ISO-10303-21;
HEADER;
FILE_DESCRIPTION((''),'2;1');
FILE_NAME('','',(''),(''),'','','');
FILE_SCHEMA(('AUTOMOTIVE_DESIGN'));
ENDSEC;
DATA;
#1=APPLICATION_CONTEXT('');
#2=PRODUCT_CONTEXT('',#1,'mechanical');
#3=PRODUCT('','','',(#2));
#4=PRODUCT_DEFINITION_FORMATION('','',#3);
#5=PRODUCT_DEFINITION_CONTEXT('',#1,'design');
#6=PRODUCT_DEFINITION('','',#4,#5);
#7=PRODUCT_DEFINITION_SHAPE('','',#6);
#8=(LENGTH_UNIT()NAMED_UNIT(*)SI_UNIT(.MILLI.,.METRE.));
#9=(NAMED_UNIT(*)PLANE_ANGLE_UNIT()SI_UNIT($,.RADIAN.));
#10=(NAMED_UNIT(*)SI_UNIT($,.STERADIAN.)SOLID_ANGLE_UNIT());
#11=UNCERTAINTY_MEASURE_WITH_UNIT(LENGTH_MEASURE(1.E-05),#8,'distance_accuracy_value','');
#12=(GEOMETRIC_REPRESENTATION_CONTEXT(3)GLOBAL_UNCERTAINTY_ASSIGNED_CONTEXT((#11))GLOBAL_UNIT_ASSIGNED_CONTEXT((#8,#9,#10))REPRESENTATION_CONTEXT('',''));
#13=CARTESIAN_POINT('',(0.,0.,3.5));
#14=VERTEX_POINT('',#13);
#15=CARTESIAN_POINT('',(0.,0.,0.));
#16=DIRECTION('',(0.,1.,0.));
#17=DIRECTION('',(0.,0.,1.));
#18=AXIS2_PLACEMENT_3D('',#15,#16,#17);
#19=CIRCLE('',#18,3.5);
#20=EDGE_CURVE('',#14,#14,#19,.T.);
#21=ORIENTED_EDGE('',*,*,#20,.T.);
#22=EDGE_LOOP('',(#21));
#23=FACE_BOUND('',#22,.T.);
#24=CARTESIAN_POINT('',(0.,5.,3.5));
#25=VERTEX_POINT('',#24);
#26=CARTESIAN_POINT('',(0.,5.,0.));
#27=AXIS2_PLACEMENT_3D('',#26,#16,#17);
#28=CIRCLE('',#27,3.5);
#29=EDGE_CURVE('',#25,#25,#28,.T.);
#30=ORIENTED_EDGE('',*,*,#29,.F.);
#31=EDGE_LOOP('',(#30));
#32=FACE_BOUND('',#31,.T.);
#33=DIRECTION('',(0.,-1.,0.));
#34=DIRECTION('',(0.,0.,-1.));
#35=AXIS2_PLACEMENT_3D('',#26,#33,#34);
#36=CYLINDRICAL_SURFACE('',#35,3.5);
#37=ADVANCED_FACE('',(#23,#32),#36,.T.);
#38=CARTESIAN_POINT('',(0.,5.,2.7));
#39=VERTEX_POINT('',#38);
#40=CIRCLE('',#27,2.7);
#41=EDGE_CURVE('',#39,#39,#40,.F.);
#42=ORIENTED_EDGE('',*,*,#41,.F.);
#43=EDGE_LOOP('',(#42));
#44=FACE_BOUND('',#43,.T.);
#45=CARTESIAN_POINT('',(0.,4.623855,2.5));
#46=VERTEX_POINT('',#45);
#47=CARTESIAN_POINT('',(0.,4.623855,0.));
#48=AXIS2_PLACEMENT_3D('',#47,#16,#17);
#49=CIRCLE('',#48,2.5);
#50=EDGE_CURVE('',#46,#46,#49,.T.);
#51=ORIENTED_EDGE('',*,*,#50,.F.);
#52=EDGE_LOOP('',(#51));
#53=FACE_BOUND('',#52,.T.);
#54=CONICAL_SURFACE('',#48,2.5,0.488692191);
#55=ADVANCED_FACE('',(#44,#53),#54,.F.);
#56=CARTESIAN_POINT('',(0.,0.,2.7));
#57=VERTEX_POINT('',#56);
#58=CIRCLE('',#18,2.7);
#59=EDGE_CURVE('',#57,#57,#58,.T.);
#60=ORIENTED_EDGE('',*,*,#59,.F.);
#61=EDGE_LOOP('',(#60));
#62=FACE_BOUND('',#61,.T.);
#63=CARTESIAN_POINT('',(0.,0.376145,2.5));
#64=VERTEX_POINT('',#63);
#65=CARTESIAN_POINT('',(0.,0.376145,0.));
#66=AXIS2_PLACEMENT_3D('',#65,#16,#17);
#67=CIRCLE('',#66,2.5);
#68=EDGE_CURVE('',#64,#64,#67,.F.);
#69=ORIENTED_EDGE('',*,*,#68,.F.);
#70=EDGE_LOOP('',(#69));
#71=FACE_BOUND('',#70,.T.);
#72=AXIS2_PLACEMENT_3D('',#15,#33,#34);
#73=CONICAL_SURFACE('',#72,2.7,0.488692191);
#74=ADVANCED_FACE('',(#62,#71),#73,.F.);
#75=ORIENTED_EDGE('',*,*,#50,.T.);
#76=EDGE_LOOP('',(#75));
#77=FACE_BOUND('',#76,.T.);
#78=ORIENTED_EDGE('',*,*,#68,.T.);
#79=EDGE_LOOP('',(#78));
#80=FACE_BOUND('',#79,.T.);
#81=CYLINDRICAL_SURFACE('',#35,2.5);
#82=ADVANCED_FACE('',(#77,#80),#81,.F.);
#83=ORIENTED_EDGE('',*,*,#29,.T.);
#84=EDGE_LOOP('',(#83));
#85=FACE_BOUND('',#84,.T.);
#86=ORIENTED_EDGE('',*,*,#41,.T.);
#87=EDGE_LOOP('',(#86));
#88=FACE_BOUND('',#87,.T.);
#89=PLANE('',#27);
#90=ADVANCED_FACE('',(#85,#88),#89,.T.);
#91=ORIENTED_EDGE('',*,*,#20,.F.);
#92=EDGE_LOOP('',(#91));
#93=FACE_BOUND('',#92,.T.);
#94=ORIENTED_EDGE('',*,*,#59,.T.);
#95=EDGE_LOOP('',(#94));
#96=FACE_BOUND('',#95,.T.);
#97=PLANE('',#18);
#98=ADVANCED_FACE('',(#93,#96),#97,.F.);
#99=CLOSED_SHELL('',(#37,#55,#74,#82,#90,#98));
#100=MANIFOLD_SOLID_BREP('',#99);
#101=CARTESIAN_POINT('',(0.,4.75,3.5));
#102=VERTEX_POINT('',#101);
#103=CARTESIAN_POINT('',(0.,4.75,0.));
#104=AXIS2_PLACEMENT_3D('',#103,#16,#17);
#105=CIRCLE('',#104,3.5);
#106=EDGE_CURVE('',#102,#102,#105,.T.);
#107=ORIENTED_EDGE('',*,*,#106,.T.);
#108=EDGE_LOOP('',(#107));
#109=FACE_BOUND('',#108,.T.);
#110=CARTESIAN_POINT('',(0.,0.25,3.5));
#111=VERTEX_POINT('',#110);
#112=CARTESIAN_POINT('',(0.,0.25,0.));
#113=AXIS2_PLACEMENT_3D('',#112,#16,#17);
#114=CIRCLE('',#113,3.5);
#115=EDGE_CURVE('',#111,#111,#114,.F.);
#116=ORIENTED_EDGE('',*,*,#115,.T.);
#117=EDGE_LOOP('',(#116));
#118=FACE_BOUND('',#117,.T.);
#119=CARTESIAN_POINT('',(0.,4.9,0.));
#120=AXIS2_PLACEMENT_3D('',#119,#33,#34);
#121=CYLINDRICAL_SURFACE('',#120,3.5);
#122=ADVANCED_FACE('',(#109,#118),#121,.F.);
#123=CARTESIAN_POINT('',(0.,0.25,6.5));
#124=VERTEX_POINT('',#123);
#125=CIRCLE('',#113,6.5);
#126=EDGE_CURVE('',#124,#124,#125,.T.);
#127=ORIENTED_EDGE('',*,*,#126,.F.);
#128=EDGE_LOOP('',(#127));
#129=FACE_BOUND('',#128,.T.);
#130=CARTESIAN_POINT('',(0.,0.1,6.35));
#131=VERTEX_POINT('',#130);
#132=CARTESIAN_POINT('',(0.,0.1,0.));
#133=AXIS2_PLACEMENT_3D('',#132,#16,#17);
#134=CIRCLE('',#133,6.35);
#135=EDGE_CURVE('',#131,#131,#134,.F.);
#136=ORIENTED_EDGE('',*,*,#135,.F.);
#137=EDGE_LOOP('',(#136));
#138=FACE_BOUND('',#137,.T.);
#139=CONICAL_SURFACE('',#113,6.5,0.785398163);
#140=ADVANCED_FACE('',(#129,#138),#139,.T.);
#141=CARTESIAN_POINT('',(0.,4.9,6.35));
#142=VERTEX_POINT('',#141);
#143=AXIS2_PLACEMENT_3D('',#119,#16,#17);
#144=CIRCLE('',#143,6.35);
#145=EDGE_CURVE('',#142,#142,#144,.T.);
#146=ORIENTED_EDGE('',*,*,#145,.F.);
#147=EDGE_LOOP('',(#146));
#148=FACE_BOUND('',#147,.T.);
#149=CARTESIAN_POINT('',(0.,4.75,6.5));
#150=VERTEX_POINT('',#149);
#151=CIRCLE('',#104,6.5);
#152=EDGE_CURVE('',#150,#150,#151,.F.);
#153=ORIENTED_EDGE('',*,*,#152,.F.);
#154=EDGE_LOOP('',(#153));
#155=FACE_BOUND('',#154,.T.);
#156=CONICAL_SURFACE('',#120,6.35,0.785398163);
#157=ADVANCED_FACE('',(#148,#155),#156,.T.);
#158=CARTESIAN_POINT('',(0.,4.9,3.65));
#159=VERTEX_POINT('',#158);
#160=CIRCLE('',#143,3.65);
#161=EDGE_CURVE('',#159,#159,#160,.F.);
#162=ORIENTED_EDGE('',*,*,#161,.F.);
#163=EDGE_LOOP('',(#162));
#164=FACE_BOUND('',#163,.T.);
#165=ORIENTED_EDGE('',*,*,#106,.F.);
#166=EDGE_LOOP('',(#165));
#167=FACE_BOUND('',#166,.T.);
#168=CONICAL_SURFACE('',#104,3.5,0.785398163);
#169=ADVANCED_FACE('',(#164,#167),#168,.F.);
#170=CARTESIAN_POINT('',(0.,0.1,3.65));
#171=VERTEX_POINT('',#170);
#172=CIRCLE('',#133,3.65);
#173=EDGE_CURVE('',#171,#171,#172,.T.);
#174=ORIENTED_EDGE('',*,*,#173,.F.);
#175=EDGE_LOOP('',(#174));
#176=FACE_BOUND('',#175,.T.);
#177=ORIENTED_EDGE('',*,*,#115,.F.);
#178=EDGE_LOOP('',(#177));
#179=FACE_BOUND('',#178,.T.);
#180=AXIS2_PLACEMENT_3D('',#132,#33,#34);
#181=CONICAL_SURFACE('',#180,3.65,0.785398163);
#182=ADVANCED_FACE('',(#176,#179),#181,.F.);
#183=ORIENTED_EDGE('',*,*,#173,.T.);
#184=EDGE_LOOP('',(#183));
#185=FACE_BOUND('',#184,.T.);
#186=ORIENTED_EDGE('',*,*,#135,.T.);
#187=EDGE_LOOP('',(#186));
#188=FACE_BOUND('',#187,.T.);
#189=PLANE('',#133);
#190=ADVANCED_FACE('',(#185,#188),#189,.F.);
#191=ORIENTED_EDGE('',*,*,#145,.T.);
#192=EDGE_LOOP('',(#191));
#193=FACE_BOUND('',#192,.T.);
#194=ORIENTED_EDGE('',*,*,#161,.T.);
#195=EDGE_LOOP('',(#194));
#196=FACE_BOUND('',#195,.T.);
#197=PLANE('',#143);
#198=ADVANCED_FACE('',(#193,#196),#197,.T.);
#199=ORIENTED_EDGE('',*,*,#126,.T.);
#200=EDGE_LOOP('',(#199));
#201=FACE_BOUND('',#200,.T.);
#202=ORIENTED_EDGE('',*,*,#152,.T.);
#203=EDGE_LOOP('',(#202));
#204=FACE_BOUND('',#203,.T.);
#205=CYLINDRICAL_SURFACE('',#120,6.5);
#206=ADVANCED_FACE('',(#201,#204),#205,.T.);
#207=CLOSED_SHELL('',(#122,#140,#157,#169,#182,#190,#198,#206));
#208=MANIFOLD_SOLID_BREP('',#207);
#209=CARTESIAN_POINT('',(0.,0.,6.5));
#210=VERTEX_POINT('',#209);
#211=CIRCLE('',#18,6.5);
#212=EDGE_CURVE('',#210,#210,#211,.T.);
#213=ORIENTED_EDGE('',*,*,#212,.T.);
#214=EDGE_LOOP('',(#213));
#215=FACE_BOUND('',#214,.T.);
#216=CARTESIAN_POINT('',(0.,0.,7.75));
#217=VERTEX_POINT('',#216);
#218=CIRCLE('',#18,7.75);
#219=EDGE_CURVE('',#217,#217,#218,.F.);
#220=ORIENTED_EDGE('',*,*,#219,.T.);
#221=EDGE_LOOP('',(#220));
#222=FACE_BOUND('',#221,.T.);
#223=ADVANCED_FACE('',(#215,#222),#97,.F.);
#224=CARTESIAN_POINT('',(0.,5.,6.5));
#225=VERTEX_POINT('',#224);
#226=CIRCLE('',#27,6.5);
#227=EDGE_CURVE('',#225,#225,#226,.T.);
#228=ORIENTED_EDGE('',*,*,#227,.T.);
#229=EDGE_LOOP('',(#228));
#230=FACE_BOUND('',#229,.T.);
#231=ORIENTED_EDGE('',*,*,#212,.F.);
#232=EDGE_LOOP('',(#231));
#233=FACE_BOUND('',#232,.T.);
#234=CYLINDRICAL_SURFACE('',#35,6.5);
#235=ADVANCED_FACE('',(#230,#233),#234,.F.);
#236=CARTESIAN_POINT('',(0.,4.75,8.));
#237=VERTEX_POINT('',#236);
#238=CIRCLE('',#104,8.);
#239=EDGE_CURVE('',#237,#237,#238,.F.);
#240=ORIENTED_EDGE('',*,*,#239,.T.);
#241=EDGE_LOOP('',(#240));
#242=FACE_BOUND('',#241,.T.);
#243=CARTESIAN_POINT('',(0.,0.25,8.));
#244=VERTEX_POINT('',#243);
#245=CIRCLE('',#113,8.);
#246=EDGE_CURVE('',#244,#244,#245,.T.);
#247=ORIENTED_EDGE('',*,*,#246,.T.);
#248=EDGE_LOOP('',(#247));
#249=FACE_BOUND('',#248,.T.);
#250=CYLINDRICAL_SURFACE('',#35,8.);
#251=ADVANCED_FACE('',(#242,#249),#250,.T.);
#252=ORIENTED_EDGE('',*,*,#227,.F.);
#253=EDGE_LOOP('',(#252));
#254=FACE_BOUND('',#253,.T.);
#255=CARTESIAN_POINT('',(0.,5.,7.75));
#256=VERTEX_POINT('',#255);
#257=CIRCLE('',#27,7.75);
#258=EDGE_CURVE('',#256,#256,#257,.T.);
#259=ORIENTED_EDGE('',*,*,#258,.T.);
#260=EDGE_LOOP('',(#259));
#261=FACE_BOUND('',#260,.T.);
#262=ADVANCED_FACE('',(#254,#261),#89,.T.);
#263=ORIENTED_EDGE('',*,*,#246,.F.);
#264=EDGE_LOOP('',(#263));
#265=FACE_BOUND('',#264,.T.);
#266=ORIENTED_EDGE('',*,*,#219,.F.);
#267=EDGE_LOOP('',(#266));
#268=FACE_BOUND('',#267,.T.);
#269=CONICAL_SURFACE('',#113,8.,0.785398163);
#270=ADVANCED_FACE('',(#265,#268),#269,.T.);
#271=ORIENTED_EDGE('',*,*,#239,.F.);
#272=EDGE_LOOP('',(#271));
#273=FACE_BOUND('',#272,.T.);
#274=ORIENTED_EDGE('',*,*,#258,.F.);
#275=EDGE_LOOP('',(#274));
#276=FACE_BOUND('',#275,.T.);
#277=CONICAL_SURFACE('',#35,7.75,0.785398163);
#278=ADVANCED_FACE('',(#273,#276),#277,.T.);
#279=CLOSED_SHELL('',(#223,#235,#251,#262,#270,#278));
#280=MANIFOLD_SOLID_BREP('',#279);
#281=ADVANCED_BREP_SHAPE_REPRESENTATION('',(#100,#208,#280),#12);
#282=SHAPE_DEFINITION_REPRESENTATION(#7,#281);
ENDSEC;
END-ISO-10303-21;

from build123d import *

# Parameters (mm, degrees)
SKETCH_1_R        = 3.5
SKETCH_1_R_2      = 2.5
EXTRUDE_1_DEPTH   = 5
SKETCH_1_R_3      = 8
SKETCH_1_R_4      = 6.5
EXTRUDE_1_2_DEPTH = 5
EXTRUDE_START     = 0.1
SKETCH_1_3_R      = 6.5
SKETCH_1_3_R_2    = 3.5
EXTRUDE_2_DEPTH   = 4.8
CHAMFER_1_SIZE    = 0.25
CHAMFER_2_SIZE    = 0.2
CHAMFER_2_SIZE2   = 0.376145293
CHAMFER_3_SIZE    = 0.15
CHAMFER_4_SIZE    = 0.2
CHAMFER_4_SIZE2   = 0.376145293


with BuildPart() as part:
    # Эскиз1 → Бобышка-Вытянуть1 (new body)
    with BuildSketch(Plane(origin=(0, 0, 0), x_dir=(1, 0, 0), z_dir=(0, 1, 0))):
        Circle(SKETCH_1_R)
        Circle(SKETCH_1_R_2, mode=Mode.SUBTRACT)
    extrude(amount=EXTRUDE_1_DEPTH)

    # Фаска2
    chamfer_2_edges = [part.edges().sort_by_distance(p)[0] for p in [
        (-2.5, 5, 0),
    ]]
    chamfer_2_side = [part.faces().sort_by_distance(p)[0] for p in [
        (-3.401005051, 5, 0),
    ]]
    chamfer(chamfer_2_edges, length=CHAMFER_2_SIZE, length2=CHAMFER_2_SIZE2, reference=chamfer_2_side[0])

    # Фаска4
    chamfer_4_edges = [part.edges().sort_by_distance(p)[0] for p in [
        (-2.5, 0, 0),
    ]]
    chamfer_4_side = [part.faces().sort_by_distance(p)[0] for p in [
        (-3.401005051, 0, 0),
    ]]
    chamfer(chamfer_4_edges, length=CHAMFER_4_SIZE, length2=CHAMFER_4_SIZE2, reference=chamfer_4_side[0])


with BuildPart() as body_2:
    # Эскиз1 → Extrude 1 2 (new body)
    with BuildSketch(Plane(origin=(0, 0, 0), x_dir=(1, 0, 0), z_dir=(0, 1, 0))):
        Circle(SKETCH_1_R_3)
        Circle(SKETCH_1_R_4, mode=Mode.SUBTRACT)
    extrude(amount=EXTRUDE_1_2_DEPTH)

    # Фаска1
    chamfer_1_edges = [body_2.edges().sort_by_distance(p)[0] for p in [
        (-8, 0, 0),
        (-8, 5, 0),
    ]]
    chamfer(chamfer_1_edges, length=CHAMFER_1_SIZE)


with BuildPart() as body_3:
    # Эскиз1<3> → Бобышка-Вытянуть2 (new body)
    with BuildSketch(Plane(origin=(0, 0, 0), x_dir=(1, 0, 0), z_dir=(0, 1, 0)).offset(EXTRUDE_START)):
        Circle(SKETCH_1_3_R)
        Circle(SKETCH_1_3_R_2, mode=Mode.SUBTRACT)
    extrude(amount=EXTRUDE_2_DEPTH)

    # Фаска3
    chamfer_3_edges = [body_3.edges().sort_by_distance(p)[0] for p in [
        (-6.5, 4.9, 0),
        (-6.5, 0.1, 0),
        (-3.5, 0.1, 0),
        (-3.5, 4.9, 0),
    ]]
    chamfer(chamfer_3_edges, length=CHAMFER_3_SIZE)


solid = Compound([part.part, body_2.part, body_3.part])
